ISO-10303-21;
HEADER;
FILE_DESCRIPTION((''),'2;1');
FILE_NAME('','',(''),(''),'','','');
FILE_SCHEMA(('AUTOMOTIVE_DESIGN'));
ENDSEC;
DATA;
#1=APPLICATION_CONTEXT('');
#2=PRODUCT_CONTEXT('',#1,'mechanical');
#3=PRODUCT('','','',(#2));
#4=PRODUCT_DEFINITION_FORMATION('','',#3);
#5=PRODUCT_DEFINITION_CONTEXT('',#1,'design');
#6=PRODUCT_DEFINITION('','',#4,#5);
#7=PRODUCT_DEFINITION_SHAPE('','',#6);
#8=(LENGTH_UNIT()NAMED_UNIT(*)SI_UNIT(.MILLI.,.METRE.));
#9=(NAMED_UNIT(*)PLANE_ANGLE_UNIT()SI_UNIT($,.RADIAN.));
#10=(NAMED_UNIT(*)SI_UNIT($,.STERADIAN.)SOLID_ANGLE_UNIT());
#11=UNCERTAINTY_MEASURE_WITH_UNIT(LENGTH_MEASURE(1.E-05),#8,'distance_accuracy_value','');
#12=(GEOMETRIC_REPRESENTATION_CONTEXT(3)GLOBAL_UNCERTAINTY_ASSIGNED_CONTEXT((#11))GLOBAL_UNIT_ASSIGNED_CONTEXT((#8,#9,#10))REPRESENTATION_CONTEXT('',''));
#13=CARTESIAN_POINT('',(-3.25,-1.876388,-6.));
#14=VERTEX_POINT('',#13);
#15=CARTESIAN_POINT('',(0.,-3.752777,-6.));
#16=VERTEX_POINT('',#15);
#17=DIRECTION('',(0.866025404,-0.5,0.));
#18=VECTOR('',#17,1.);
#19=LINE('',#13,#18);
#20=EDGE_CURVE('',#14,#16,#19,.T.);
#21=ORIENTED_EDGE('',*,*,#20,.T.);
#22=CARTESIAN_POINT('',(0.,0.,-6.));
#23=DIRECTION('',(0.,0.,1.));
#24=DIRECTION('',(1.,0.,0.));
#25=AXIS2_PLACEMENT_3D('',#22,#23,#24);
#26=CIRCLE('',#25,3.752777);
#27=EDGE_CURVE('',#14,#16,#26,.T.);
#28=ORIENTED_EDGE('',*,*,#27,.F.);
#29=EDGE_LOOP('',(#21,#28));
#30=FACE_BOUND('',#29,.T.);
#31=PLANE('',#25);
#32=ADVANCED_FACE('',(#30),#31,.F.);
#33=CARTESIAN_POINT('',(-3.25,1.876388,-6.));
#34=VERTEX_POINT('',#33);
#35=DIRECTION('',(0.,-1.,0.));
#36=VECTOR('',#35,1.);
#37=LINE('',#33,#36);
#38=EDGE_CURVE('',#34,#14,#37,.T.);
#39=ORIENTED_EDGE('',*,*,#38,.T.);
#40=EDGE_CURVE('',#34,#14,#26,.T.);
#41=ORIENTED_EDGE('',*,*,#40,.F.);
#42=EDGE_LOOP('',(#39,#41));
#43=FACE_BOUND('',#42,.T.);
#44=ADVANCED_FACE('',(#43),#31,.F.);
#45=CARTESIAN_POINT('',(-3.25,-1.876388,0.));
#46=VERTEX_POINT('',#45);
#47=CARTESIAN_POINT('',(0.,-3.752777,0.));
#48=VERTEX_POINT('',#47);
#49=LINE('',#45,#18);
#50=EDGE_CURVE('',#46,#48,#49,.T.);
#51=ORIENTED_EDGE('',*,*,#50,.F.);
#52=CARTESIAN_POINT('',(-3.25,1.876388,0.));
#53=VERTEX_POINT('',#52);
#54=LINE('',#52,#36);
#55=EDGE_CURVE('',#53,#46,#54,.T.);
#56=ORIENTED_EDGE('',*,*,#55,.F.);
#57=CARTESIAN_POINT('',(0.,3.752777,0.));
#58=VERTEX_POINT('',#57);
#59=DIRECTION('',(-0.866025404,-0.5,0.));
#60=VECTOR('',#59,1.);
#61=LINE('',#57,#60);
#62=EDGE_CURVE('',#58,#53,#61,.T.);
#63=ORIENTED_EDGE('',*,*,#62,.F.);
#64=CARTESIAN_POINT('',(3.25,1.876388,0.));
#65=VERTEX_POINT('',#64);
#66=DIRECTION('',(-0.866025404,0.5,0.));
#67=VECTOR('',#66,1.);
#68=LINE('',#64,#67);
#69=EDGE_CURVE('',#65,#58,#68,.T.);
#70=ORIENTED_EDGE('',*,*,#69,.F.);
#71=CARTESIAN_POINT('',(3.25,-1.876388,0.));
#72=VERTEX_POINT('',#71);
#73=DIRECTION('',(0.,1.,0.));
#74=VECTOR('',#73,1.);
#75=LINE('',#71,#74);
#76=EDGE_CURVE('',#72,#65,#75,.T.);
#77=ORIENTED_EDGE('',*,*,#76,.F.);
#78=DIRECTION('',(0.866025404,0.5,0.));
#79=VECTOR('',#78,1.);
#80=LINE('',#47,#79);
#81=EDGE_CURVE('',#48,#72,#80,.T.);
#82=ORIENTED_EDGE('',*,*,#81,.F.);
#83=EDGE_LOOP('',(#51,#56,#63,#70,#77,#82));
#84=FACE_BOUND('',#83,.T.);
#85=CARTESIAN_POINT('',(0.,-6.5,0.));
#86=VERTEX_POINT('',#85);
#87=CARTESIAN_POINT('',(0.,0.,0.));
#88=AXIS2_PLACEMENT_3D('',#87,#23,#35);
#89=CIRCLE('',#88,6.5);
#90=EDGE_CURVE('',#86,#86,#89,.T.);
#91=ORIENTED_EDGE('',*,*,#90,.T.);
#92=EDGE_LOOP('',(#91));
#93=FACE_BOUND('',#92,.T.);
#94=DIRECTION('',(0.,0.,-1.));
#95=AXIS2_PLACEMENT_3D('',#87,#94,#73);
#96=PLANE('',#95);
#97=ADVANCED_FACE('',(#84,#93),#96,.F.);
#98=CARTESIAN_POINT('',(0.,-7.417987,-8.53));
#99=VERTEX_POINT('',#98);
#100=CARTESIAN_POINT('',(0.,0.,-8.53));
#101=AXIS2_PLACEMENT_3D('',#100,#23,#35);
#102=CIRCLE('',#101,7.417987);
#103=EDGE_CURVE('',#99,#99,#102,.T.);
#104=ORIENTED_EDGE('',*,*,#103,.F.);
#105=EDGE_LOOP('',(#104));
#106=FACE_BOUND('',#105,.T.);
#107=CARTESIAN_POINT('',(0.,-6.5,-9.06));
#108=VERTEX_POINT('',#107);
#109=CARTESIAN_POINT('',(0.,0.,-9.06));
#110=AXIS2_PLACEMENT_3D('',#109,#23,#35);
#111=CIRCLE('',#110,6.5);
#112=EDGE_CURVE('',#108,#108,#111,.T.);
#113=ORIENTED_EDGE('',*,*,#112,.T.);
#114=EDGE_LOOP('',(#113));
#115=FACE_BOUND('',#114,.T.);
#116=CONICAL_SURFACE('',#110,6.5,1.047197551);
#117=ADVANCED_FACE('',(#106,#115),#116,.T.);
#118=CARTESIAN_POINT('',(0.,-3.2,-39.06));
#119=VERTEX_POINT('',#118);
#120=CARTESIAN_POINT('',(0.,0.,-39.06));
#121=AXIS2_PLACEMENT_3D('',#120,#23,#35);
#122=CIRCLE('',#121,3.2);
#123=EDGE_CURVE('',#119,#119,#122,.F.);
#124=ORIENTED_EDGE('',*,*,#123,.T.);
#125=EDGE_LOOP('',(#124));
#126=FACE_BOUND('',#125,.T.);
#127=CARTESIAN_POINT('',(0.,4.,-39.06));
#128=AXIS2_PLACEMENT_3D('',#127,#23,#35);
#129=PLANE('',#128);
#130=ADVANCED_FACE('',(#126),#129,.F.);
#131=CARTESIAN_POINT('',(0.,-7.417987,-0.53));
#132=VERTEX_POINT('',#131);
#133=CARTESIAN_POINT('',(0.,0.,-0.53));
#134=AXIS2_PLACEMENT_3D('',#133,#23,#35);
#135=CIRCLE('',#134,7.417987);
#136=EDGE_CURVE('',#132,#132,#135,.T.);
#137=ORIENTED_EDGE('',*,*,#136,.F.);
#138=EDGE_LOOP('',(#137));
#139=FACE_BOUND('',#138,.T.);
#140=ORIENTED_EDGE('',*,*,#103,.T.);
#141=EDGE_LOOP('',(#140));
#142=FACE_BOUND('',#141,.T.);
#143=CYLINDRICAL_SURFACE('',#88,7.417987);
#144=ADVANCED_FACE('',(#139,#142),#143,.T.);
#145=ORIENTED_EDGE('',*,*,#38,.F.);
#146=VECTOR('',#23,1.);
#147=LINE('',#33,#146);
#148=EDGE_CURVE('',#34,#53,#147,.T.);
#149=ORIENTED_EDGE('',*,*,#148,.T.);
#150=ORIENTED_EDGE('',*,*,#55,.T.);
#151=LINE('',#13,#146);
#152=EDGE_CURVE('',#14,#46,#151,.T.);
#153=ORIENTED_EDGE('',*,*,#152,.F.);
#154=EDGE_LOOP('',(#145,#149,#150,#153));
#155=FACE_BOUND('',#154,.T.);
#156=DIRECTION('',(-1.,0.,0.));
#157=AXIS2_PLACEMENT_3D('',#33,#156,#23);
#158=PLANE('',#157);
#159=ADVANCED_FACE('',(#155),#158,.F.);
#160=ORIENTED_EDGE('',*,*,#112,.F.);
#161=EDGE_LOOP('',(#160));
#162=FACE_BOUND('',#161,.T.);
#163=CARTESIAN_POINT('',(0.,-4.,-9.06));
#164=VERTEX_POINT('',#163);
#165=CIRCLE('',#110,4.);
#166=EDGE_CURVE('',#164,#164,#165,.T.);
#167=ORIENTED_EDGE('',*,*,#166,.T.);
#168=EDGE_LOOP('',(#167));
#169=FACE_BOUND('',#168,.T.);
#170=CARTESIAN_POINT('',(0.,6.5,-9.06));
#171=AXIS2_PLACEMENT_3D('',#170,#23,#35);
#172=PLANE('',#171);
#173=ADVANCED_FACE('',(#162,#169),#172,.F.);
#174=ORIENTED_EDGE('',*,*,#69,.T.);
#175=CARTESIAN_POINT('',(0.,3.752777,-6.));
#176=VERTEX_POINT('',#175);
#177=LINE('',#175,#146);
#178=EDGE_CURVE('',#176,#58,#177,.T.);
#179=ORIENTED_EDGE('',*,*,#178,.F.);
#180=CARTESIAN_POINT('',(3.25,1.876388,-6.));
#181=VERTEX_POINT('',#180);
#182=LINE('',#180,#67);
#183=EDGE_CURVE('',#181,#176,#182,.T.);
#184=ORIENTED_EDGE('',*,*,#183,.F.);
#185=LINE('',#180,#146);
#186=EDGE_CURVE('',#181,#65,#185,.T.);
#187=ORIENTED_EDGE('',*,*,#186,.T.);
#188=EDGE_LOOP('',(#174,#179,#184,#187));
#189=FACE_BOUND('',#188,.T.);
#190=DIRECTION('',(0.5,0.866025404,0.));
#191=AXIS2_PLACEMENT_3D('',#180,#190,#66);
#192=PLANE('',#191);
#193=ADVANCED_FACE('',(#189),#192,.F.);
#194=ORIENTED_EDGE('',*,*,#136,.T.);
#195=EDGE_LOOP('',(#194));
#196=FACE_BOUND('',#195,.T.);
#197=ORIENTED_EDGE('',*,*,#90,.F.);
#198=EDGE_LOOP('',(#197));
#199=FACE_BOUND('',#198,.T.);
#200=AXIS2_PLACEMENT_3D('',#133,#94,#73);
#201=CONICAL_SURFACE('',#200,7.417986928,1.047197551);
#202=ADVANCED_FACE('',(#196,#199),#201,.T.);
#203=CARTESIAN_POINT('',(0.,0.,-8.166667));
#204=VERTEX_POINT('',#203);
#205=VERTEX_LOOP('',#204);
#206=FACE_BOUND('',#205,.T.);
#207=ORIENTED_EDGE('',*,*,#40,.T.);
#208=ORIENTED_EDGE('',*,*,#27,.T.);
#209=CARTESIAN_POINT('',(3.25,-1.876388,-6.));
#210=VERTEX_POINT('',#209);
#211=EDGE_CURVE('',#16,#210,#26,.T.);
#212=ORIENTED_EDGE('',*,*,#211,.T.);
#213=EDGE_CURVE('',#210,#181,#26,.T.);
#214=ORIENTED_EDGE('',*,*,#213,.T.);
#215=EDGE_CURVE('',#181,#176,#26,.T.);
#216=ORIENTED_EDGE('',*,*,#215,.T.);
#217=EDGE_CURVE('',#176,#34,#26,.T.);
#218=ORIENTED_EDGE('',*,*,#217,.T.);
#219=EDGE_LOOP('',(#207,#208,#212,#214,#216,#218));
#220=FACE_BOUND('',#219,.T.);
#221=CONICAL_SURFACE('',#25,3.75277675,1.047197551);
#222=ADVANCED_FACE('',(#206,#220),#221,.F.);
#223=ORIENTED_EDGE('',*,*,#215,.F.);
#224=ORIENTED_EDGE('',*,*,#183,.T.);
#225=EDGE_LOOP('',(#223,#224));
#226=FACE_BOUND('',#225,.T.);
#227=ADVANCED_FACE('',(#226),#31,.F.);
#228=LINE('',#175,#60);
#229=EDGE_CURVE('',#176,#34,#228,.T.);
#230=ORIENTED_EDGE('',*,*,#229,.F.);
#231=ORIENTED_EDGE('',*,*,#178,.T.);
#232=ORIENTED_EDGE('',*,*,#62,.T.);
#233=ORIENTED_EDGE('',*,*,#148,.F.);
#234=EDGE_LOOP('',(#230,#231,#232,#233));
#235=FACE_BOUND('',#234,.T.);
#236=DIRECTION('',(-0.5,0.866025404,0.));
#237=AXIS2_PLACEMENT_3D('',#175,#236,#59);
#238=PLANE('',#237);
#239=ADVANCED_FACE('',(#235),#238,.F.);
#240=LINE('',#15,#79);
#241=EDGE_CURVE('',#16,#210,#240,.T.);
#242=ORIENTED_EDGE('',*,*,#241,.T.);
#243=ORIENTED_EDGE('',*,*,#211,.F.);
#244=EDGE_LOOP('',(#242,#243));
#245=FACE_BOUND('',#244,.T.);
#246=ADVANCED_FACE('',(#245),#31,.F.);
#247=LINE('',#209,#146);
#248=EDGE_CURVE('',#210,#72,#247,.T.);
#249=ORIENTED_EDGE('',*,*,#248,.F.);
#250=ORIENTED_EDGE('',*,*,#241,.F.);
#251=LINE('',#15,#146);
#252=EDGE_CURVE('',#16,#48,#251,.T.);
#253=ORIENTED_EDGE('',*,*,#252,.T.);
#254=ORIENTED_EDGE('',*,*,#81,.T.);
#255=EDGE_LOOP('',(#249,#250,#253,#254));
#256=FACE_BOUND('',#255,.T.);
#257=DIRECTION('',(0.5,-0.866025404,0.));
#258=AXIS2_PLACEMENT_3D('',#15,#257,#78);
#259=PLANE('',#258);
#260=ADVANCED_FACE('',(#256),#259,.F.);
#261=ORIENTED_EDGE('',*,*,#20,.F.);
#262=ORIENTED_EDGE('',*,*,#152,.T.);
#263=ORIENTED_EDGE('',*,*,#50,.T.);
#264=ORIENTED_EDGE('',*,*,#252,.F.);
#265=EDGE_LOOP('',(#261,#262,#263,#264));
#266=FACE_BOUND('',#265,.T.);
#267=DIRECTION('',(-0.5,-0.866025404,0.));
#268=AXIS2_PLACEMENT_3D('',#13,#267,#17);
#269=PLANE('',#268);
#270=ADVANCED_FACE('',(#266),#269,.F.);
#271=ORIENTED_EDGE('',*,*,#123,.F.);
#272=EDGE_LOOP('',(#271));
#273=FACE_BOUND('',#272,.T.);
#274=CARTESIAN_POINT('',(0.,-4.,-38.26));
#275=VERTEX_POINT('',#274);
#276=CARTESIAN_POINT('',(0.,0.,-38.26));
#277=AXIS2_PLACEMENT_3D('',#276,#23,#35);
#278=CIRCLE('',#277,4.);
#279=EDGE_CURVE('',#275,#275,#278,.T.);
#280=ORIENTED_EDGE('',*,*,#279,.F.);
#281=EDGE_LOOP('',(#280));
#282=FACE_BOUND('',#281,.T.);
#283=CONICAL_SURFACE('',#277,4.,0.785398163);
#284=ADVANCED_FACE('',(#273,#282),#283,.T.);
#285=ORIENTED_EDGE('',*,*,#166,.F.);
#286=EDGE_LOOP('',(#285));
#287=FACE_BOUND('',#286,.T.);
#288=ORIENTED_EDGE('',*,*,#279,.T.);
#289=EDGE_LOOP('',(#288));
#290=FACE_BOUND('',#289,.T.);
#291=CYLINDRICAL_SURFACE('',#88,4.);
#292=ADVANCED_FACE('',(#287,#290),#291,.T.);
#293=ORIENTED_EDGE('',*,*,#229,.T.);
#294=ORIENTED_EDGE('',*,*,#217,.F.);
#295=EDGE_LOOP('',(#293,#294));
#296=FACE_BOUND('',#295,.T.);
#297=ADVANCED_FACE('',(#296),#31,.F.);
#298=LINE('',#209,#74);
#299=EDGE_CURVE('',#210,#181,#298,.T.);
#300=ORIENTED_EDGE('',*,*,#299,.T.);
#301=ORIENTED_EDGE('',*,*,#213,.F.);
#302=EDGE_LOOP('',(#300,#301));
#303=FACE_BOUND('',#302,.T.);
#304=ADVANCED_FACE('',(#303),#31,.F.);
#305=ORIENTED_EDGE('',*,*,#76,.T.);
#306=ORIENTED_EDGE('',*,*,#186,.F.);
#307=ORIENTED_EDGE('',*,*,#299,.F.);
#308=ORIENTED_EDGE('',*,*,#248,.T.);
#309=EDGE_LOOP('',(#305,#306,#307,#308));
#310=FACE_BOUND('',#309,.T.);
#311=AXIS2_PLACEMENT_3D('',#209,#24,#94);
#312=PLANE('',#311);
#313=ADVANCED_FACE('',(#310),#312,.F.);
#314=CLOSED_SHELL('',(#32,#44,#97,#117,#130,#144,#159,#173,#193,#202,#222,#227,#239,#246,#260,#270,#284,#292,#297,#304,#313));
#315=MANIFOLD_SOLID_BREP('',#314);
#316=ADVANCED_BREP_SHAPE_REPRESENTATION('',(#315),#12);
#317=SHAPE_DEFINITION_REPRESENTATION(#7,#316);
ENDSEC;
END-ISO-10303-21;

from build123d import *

# Parameters (mm, degrees)
CHAMFER1_SIZE      = 0.8
CUT_EXTRUDE1_DEPTH = 6


with BuildPart() as part:
    # Sketch1 → Revolve1 (revolve)
    with BuildSketch(Plane(origin=(0, 0, 0), x_dir=(0, 0, -1), z_dir=(1, 0, 0))):
        Polygon((0, 0), (0, 6.5), (0.53, 7.417986928), (8.53, 7.417986928), (9.06, 6.5), (9.06, 4), (39.06, 4), (39.06, 0), align=None)
    revolve(axis=Axis((0, 0, 0), (0, 0, -1)))

    # Chamfer1
    chamfer1_edges = [part.edges().sort_by_distance(p)[0] for p in [
        (0, -4, -39.06),
    ]]
    chamfer(chamfer1_edges, length=CHAMFER1_SIZE)

    # Sketch2 → Cut-Extrude1 (cut)
    with BuildSketch(Plane.XY):
        Polygon((-3.25, 1.876388375), (-3.25, -1.876388375), (0, -3.75277675), (3.25, -1.876388375), (3.25, 1.876388375), (0, 3.75277675), align=None)
    extrude(amount=-CUT_EXTRUDE1_DEPTH, mode=Mode.SUBTRACT)

    # Sketch3 → Cut-Revolve2 (revolve, cut)
    with BuildSketch(Plane(origin=(0, 0, 0), x_dir=(0, 0, -1), z_dir=(1, 0, 0))):
        Polygon((6, 0), (6, 3.75277675), (8.166666667, 0), align=None)
    revolve(axis=Axis((0, 0, 0), (0, 0, -1)), mode=Mode.SUBTRACT)


solid = part.part
